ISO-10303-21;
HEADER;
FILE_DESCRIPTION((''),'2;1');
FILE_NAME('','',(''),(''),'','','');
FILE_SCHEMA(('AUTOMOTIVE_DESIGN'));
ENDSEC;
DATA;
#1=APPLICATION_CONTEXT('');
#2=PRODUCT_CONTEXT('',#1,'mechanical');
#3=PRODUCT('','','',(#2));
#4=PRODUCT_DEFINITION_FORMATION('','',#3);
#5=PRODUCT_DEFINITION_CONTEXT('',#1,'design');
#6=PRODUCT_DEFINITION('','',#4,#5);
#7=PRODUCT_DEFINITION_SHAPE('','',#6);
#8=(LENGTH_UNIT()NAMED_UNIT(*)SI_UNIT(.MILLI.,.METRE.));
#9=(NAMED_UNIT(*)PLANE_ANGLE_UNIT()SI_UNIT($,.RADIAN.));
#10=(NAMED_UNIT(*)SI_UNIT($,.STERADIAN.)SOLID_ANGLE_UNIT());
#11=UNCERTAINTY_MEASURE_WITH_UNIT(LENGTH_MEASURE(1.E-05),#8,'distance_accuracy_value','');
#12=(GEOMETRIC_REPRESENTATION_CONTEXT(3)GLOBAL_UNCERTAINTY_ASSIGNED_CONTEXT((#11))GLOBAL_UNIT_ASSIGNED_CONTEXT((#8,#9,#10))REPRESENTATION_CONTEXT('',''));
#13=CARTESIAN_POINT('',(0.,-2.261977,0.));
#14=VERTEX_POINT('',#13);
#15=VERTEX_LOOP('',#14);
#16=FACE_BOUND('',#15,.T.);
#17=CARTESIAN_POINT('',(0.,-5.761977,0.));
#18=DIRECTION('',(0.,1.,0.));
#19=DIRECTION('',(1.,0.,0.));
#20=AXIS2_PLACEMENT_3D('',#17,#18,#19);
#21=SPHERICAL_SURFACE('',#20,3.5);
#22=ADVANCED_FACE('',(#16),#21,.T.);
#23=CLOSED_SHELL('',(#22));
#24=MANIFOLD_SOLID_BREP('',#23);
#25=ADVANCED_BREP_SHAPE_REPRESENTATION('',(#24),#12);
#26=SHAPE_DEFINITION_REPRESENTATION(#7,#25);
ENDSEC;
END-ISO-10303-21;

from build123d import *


with BuildPart() as part:
    # Sketch1 → Revolve1 (revolve)
    with BuildSketch(Plane.XY):
        with BuildLine():
            Line((0, -2.261977216), (0, -9.261977216))
            ThreePointArc((0, -9.261977216), (3.5, -5.761977216), (0, -2.261977216))
        make_face()
    revolve(axis=Axis((0, 0, 0), (0, -1, 0)))


solid = part.part
